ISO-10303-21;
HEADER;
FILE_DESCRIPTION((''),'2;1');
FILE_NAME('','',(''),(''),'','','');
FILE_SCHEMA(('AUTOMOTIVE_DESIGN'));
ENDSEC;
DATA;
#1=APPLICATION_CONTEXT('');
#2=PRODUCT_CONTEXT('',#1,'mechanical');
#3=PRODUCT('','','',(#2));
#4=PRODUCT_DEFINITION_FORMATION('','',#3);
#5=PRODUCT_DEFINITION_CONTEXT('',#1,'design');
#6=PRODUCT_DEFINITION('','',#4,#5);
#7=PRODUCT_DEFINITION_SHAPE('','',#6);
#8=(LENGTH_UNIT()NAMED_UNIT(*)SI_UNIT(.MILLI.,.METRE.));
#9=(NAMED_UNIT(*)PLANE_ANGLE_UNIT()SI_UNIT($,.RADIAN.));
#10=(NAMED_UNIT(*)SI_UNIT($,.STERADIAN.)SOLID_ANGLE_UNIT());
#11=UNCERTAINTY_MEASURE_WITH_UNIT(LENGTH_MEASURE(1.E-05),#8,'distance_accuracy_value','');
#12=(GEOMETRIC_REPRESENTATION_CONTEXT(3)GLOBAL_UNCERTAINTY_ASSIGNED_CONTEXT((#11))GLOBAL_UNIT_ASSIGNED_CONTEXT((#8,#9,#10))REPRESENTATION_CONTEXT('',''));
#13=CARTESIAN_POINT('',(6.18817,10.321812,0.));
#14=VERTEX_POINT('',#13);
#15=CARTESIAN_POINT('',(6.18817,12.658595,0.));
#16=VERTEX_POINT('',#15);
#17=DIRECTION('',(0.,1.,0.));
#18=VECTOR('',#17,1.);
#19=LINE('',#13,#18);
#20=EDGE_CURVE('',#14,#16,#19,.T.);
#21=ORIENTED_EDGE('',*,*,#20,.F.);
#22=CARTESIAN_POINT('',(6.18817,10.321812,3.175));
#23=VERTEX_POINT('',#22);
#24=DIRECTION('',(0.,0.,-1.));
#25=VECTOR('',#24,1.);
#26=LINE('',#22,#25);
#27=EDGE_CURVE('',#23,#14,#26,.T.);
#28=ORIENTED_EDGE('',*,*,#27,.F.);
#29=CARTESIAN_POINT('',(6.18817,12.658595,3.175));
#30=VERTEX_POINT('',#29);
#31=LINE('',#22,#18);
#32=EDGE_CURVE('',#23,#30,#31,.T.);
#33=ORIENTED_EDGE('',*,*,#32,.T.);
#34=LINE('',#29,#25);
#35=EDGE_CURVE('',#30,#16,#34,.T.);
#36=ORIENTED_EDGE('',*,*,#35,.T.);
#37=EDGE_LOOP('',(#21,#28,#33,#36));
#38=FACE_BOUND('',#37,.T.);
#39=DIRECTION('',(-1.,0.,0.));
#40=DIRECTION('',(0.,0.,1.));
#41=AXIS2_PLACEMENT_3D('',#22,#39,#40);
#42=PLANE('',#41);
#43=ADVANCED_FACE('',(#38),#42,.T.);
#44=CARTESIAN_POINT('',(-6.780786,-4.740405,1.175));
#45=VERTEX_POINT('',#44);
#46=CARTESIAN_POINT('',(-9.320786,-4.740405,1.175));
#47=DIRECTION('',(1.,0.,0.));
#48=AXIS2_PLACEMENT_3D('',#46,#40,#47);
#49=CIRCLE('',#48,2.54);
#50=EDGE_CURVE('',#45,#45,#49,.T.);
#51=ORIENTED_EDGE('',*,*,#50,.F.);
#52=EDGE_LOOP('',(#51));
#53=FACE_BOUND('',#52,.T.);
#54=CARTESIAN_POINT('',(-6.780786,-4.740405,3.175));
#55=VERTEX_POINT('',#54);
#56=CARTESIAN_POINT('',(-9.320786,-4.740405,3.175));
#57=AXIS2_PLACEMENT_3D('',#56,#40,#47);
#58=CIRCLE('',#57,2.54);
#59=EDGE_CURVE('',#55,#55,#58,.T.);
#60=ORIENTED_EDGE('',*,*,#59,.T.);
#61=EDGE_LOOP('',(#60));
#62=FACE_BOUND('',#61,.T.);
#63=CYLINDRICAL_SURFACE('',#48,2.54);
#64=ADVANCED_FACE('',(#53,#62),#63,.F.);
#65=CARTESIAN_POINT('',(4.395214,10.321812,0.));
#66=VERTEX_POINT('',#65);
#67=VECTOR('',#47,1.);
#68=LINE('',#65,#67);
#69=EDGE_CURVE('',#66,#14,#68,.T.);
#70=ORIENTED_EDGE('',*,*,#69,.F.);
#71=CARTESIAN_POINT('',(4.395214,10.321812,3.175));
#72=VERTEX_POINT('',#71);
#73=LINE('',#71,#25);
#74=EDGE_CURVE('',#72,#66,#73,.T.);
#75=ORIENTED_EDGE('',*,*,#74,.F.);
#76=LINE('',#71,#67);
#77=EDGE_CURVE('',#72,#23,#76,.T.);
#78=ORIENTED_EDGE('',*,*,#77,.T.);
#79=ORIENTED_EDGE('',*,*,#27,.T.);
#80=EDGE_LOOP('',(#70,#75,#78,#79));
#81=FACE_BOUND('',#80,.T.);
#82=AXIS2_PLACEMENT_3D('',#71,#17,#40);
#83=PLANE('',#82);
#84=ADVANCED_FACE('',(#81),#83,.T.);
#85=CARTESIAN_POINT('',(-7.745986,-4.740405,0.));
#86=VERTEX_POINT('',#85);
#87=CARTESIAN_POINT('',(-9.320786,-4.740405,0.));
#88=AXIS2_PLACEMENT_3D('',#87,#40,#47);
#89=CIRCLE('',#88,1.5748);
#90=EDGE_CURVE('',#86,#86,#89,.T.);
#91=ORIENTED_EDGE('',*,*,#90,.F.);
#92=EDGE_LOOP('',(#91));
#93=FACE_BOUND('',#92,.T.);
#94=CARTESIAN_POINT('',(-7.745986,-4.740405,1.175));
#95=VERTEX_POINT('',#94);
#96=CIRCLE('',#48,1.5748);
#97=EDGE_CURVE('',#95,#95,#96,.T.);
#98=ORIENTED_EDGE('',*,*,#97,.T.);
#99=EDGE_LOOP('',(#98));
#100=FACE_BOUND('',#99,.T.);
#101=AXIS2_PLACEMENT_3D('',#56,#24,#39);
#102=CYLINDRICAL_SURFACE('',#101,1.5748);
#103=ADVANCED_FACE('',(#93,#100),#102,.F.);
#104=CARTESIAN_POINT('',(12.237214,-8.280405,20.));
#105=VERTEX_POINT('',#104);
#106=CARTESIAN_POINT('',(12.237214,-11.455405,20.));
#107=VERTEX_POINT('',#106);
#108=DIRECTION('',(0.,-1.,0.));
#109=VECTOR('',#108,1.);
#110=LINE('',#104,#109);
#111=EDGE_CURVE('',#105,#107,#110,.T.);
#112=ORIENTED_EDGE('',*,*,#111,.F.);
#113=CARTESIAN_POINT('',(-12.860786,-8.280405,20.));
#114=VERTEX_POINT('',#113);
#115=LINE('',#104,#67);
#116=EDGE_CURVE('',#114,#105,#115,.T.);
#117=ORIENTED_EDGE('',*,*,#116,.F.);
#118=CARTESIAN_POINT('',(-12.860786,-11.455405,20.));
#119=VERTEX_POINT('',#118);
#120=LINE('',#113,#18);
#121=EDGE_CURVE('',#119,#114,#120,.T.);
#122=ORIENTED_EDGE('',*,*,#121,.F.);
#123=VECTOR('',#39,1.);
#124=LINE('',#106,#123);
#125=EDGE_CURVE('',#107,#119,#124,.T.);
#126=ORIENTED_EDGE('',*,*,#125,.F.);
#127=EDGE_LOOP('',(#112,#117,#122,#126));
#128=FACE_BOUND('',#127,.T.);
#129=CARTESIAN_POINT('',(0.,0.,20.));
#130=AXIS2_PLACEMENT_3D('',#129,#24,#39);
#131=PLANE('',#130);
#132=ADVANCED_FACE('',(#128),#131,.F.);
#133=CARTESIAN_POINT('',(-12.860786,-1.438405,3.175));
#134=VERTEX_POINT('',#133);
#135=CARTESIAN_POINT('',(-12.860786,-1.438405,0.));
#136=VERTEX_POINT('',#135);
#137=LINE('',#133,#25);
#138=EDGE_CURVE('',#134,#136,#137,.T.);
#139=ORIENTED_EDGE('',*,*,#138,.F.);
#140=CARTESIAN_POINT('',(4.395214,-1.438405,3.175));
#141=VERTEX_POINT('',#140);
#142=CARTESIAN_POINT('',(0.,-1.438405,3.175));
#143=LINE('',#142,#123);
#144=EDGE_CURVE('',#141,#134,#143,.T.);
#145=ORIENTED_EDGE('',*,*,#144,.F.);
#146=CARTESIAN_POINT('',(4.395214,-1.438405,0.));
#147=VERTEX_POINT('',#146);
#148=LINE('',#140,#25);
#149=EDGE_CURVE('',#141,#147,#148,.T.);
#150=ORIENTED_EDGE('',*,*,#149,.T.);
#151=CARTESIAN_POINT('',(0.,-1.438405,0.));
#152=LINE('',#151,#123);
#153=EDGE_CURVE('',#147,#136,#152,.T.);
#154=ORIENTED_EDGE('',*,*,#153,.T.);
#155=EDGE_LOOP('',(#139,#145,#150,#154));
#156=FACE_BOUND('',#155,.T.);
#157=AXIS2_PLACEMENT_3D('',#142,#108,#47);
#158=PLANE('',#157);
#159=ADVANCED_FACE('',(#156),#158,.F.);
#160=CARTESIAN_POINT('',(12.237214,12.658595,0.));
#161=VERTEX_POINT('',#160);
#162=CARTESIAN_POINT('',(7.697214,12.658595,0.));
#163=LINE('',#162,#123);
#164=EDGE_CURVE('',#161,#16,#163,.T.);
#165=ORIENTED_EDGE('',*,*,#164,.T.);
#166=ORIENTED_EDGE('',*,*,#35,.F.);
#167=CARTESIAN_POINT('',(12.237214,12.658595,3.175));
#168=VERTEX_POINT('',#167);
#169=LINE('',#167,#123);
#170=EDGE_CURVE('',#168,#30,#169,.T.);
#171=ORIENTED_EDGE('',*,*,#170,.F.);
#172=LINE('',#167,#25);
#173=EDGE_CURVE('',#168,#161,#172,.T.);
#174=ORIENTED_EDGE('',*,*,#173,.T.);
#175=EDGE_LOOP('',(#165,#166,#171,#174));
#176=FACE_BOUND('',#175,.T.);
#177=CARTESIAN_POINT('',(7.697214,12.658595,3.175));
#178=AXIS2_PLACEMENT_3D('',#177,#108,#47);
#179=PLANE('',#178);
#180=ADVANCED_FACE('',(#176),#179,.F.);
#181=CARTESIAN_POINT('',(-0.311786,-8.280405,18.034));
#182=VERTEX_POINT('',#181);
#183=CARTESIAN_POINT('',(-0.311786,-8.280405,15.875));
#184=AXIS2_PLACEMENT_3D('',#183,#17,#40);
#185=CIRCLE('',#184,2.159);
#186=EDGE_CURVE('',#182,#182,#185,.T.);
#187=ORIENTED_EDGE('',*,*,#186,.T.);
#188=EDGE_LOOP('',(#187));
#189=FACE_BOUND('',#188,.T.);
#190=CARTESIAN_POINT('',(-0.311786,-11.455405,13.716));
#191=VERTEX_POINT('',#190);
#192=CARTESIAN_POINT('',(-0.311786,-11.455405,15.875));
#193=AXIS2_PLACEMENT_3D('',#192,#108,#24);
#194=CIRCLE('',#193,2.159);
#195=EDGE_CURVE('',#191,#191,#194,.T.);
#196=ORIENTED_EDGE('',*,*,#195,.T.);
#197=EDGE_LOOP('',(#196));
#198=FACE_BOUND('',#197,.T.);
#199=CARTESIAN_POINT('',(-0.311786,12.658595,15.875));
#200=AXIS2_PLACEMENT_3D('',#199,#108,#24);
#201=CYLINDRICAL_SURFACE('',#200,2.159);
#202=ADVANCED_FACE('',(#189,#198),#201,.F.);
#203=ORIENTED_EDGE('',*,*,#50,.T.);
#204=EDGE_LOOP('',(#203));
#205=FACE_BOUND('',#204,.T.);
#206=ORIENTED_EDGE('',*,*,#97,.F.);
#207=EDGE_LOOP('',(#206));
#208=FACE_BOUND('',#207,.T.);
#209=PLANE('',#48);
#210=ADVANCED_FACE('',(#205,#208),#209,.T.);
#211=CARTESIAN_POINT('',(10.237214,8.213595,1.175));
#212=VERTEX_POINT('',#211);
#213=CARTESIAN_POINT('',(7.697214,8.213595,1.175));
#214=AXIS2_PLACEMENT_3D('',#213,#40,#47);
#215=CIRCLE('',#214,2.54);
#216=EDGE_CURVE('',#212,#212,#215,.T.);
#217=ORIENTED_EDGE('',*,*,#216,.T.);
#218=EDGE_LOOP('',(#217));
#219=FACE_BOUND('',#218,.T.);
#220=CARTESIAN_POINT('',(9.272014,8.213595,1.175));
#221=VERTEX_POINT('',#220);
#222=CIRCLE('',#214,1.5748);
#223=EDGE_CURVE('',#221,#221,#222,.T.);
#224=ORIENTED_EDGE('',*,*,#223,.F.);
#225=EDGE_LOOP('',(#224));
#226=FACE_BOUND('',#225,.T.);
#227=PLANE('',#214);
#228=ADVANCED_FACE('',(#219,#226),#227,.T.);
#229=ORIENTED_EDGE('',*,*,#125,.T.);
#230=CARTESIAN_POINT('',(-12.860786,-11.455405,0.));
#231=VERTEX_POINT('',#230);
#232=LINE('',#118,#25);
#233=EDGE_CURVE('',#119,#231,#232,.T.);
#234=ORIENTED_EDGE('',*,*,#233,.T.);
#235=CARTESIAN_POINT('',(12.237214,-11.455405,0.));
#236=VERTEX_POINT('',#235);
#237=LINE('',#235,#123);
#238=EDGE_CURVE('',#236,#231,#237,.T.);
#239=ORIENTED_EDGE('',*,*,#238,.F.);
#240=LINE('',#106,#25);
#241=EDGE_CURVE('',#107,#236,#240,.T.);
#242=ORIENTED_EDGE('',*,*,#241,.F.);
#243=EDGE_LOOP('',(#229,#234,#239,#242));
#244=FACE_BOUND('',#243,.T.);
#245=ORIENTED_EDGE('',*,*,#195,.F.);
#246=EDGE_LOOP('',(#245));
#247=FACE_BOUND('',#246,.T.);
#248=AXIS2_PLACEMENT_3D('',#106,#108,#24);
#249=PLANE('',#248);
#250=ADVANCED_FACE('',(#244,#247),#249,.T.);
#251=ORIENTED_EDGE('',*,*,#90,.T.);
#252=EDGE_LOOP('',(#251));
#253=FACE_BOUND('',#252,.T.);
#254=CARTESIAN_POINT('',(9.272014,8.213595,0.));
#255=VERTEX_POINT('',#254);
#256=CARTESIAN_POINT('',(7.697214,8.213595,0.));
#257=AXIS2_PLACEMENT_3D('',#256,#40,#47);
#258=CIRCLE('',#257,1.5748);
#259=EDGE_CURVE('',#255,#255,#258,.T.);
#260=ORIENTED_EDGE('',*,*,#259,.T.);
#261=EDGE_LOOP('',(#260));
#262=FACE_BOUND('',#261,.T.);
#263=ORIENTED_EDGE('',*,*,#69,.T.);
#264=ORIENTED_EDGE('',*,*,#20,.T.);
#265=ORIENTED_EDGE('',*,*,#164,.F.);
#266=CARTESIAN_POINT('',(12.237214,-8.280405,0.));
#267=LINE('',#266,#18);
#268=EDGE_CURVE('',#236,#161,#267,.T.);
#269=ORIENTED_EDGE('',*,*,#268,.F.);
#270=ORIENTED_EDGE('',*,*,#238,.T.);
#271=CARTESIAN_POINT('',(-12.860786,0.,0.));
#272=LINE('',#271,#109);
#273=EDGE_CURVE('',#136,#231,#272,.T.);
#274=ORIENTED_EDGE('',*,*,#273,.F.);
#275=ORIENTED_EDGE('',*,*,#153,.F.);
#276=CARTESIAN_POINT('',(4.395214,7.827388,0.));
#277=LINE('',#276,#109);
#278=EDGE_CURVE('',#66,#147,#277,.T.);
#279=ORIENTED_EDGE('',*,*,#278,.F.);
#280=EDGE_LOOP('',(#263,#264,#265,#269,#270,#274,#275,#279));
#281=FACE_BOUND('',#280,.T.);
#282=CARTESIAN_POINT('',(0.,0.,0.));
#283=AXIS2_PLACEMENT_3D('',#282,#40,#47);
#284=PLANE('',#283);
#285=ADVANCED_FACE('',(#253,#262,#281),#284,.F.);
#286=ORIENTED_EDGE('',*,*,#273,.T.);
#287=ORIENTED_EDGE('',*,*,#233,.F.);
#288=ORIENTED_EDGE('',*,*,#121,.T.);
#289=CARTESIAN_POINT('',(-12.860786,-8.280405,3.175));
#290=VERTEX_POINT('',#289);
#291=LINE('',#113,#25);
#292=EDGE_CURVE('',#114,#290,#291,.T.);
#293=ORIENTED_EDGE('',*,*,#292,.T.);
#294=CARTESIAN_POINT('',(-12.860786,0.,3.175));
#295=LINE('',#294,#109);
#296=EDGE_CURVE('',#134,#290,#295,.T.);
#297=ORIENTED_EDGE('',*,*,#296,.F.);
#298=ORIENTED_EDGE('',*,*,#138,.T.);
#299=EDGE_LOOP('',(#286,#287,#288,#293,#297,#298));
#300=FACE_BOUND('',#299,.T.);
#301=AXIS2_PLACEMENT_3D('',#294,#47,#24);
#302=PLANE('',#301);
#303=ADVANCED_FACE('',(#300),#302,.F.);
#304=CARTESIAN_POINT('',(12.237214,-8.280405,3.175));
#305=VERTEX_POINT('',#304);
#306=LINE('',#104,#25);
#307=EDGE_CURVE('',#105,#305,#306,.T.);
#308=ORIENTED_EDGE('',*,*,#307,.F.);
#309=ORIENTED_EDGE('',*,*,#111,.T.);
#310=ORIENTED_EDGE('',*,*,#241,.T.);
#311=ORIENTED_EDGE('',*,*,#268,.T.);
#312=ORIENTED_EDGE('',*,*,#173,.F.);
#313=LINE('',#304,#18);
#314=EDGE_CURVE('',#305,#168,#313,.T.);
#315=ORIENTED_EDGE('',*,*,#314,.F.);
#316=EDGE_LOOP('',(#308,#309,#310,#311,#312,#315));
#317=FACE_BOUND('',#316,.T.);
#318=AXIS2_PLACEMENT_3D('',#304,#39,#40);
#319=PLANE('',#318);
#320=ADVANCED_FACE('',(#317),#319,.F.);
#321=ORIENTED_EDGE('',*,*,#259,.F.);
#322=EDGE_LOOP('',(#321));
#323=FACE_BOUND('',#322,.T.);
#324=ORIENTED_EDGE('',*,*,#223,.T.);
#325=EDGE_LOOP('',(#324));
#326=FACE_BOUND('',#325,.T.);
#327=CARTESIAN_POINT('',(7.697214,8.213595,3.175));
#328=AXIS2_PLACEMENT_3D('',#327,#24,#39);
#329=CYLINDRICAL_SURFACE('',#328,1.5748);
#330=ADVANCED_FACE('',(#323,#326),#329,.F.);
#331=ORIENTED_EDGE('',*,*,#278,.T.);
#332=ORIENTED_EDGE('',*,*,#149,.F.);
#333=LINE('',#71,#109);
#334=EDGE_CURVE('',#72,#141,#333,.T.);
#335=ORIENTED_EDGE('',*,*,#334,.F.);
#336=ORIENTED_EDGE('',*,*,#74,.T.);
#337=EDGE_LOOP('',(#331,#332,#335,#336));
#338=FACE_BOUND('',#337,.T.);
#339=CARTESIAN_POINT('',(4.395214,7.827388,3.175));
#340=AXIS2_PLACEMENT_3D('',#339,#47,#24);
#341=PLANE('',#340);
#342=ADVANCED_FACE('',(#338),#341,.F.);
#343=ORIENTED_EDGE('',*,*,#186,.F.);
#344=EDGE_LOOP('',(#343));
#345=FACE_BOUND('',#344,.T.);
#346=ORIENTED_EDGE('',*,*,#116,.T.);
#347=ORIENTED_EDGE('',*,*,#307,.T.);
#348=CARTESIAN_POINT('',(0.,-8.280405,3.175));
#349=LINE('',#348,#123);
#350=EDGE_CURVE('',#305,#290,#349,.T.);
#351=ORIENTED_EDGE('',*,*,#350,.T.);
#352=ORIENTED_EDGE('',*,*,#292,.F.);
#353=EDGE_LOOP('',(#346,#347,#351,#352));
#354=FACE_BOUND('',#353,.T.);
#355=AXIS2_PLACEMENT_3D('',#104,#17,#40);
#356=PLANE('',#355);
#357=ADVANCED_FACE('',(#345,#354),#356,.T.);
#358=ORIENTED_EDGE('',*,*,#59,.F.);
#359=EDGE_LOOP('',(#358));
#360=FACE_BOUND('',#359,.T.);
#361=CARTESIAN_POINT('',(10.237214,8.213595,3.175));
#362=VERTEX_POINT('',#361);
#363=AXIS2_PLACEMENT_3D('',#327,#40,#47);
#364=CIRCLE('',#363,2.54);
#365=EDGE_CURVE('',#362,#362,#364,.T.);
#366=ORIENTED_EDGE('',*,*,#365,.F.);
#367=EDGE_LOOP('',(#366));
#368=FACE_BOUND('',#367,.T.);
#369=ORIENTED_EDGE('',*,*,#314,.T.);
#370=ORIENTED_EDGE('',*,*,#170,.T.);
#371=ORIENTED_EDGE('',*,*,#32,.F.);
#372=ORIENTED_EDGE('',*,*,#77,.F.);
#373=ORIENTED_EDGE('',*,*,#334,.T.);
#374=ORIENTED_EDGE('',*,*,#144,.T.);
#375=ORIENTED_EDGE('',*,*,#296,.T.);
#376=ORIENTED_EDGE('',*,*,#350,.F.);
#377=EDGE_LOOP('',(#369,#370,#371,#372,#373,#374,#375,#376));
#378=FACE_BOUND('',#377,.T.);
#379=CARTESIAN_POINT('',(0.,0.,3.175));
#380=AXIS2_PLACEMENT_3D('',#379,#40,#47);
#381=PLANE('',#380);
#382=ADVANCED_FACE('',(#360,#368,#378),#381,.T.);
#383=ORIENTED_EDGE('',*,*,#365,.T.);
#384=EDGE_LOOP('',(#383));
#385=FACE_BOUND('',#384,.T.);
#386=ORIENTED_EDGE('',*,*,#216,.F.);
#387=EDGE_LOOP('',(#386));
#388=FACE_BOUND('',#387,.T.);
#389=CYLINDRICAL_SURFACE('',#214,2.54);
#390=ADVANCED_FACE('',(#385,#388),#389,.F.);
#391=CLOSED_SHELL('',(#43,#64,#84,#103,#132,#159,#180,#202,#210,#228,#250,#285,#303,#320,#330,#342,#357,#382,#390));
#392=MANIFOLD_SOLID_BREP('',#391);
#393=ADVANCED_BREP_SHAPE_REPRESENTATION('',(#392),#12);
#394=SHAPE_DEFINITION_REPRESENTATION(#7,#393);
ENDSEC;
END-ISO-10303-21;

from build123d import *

# Parameters (mm, degrees)
SKETCH2_R           = 1.5748
SKETCH2_W           = 1
SKETCH2_H           = 6.842
BOSS_EXTRUDE1_DEPTH = 3.175
SKETCH3_W           = 25.098
SKETCH3_H           = 3.175
BOSS_EXTRUDE3_DEPTH = 20
SKETCH4_R           = 2.159
CUT_EXTRUDE1_DEPTH  = 34.8656879
SKETCH5_R           = 2.54
CUT_EXTRUDE2_DEPTH  = 2


with BuildPart() as part:
    # Sketch2 → Boss-Extrude1 (new body)
    # profile 1 of 2: a face of its own
    with BuildSketch(Plane.XY):
        Polygon((4.395213829, 10.321811953), (4.395213829, 7.827388121), (4.395213829, -1.438404904), (-11.860786171, -1.438404904), (-11.860786171, -8.280404904), (12.237213829, -8.280404904), (12.237213829, 12.658595096), (7.697213829, 12.658595096), (6.188170382, 12.658595096), (6.188170382, 10.321811953), align=None)
        with Locations((-9.320786171, -4.740404904)):
            Circle(SKETCH2_R, mode=Mode.SUBTRACT)
        with Locations((7.697213829, 8.213595096)):
            Circle(SKETCH2_R, mode=Mode.SUBTRACT)
    # profile 2 of 2: a face of its own
    with BuildSketch(Plane.XY):
        with Locations((-12.360786171, -4.859404904)):
            Rectangle(SKETCH2_W, SKETCH2_H)
    extrude(amount=BOSS_EXTRUDE1_DEPTH)

    # Sketch3 → Boss-Extrude3 (add)
    with BuildSketch(Plane(origin=(0, 0, 0), x_dir=(-1, 0, 0), z_dir=(0, 0, -1))):
        with Locations((0.311786171, -9.867904904)):
            Rectangle(SKETCH3_W, SKETCH3_H)
    extrude(amount=-BOSS_EXTRUDE3_DEPTH)

    # Sketch4 → Cut-Extrude1 (cut, through all)
    with BuildSketch(Plane.XZ.offset(11.455404904)):
        with Locations(Location((-0.311786171, 15.875, 0), (0, 0, 270))):
            Circle(SKETCH4_R)
    extrude(amount=-CUT_EXTRUDE1_DEPTH, mode=Mode.SUBTRACT)

    # Sketch5 → Cut-Extrude2 (cut)
    with BuildSketch(Plane.XY.offset(3.175)):
        with Locations((7.697213829, 8.213595096)):
            Circle(SKETCH5_R)
        with Locations((-9.320786171, -4.740404904)):
            Circle(SKETCH5_R)
    extrude(amount=-CUT_EXTRUDE2_DEPTH, mode=Mode.SUBTRACT)


solid = part.part
